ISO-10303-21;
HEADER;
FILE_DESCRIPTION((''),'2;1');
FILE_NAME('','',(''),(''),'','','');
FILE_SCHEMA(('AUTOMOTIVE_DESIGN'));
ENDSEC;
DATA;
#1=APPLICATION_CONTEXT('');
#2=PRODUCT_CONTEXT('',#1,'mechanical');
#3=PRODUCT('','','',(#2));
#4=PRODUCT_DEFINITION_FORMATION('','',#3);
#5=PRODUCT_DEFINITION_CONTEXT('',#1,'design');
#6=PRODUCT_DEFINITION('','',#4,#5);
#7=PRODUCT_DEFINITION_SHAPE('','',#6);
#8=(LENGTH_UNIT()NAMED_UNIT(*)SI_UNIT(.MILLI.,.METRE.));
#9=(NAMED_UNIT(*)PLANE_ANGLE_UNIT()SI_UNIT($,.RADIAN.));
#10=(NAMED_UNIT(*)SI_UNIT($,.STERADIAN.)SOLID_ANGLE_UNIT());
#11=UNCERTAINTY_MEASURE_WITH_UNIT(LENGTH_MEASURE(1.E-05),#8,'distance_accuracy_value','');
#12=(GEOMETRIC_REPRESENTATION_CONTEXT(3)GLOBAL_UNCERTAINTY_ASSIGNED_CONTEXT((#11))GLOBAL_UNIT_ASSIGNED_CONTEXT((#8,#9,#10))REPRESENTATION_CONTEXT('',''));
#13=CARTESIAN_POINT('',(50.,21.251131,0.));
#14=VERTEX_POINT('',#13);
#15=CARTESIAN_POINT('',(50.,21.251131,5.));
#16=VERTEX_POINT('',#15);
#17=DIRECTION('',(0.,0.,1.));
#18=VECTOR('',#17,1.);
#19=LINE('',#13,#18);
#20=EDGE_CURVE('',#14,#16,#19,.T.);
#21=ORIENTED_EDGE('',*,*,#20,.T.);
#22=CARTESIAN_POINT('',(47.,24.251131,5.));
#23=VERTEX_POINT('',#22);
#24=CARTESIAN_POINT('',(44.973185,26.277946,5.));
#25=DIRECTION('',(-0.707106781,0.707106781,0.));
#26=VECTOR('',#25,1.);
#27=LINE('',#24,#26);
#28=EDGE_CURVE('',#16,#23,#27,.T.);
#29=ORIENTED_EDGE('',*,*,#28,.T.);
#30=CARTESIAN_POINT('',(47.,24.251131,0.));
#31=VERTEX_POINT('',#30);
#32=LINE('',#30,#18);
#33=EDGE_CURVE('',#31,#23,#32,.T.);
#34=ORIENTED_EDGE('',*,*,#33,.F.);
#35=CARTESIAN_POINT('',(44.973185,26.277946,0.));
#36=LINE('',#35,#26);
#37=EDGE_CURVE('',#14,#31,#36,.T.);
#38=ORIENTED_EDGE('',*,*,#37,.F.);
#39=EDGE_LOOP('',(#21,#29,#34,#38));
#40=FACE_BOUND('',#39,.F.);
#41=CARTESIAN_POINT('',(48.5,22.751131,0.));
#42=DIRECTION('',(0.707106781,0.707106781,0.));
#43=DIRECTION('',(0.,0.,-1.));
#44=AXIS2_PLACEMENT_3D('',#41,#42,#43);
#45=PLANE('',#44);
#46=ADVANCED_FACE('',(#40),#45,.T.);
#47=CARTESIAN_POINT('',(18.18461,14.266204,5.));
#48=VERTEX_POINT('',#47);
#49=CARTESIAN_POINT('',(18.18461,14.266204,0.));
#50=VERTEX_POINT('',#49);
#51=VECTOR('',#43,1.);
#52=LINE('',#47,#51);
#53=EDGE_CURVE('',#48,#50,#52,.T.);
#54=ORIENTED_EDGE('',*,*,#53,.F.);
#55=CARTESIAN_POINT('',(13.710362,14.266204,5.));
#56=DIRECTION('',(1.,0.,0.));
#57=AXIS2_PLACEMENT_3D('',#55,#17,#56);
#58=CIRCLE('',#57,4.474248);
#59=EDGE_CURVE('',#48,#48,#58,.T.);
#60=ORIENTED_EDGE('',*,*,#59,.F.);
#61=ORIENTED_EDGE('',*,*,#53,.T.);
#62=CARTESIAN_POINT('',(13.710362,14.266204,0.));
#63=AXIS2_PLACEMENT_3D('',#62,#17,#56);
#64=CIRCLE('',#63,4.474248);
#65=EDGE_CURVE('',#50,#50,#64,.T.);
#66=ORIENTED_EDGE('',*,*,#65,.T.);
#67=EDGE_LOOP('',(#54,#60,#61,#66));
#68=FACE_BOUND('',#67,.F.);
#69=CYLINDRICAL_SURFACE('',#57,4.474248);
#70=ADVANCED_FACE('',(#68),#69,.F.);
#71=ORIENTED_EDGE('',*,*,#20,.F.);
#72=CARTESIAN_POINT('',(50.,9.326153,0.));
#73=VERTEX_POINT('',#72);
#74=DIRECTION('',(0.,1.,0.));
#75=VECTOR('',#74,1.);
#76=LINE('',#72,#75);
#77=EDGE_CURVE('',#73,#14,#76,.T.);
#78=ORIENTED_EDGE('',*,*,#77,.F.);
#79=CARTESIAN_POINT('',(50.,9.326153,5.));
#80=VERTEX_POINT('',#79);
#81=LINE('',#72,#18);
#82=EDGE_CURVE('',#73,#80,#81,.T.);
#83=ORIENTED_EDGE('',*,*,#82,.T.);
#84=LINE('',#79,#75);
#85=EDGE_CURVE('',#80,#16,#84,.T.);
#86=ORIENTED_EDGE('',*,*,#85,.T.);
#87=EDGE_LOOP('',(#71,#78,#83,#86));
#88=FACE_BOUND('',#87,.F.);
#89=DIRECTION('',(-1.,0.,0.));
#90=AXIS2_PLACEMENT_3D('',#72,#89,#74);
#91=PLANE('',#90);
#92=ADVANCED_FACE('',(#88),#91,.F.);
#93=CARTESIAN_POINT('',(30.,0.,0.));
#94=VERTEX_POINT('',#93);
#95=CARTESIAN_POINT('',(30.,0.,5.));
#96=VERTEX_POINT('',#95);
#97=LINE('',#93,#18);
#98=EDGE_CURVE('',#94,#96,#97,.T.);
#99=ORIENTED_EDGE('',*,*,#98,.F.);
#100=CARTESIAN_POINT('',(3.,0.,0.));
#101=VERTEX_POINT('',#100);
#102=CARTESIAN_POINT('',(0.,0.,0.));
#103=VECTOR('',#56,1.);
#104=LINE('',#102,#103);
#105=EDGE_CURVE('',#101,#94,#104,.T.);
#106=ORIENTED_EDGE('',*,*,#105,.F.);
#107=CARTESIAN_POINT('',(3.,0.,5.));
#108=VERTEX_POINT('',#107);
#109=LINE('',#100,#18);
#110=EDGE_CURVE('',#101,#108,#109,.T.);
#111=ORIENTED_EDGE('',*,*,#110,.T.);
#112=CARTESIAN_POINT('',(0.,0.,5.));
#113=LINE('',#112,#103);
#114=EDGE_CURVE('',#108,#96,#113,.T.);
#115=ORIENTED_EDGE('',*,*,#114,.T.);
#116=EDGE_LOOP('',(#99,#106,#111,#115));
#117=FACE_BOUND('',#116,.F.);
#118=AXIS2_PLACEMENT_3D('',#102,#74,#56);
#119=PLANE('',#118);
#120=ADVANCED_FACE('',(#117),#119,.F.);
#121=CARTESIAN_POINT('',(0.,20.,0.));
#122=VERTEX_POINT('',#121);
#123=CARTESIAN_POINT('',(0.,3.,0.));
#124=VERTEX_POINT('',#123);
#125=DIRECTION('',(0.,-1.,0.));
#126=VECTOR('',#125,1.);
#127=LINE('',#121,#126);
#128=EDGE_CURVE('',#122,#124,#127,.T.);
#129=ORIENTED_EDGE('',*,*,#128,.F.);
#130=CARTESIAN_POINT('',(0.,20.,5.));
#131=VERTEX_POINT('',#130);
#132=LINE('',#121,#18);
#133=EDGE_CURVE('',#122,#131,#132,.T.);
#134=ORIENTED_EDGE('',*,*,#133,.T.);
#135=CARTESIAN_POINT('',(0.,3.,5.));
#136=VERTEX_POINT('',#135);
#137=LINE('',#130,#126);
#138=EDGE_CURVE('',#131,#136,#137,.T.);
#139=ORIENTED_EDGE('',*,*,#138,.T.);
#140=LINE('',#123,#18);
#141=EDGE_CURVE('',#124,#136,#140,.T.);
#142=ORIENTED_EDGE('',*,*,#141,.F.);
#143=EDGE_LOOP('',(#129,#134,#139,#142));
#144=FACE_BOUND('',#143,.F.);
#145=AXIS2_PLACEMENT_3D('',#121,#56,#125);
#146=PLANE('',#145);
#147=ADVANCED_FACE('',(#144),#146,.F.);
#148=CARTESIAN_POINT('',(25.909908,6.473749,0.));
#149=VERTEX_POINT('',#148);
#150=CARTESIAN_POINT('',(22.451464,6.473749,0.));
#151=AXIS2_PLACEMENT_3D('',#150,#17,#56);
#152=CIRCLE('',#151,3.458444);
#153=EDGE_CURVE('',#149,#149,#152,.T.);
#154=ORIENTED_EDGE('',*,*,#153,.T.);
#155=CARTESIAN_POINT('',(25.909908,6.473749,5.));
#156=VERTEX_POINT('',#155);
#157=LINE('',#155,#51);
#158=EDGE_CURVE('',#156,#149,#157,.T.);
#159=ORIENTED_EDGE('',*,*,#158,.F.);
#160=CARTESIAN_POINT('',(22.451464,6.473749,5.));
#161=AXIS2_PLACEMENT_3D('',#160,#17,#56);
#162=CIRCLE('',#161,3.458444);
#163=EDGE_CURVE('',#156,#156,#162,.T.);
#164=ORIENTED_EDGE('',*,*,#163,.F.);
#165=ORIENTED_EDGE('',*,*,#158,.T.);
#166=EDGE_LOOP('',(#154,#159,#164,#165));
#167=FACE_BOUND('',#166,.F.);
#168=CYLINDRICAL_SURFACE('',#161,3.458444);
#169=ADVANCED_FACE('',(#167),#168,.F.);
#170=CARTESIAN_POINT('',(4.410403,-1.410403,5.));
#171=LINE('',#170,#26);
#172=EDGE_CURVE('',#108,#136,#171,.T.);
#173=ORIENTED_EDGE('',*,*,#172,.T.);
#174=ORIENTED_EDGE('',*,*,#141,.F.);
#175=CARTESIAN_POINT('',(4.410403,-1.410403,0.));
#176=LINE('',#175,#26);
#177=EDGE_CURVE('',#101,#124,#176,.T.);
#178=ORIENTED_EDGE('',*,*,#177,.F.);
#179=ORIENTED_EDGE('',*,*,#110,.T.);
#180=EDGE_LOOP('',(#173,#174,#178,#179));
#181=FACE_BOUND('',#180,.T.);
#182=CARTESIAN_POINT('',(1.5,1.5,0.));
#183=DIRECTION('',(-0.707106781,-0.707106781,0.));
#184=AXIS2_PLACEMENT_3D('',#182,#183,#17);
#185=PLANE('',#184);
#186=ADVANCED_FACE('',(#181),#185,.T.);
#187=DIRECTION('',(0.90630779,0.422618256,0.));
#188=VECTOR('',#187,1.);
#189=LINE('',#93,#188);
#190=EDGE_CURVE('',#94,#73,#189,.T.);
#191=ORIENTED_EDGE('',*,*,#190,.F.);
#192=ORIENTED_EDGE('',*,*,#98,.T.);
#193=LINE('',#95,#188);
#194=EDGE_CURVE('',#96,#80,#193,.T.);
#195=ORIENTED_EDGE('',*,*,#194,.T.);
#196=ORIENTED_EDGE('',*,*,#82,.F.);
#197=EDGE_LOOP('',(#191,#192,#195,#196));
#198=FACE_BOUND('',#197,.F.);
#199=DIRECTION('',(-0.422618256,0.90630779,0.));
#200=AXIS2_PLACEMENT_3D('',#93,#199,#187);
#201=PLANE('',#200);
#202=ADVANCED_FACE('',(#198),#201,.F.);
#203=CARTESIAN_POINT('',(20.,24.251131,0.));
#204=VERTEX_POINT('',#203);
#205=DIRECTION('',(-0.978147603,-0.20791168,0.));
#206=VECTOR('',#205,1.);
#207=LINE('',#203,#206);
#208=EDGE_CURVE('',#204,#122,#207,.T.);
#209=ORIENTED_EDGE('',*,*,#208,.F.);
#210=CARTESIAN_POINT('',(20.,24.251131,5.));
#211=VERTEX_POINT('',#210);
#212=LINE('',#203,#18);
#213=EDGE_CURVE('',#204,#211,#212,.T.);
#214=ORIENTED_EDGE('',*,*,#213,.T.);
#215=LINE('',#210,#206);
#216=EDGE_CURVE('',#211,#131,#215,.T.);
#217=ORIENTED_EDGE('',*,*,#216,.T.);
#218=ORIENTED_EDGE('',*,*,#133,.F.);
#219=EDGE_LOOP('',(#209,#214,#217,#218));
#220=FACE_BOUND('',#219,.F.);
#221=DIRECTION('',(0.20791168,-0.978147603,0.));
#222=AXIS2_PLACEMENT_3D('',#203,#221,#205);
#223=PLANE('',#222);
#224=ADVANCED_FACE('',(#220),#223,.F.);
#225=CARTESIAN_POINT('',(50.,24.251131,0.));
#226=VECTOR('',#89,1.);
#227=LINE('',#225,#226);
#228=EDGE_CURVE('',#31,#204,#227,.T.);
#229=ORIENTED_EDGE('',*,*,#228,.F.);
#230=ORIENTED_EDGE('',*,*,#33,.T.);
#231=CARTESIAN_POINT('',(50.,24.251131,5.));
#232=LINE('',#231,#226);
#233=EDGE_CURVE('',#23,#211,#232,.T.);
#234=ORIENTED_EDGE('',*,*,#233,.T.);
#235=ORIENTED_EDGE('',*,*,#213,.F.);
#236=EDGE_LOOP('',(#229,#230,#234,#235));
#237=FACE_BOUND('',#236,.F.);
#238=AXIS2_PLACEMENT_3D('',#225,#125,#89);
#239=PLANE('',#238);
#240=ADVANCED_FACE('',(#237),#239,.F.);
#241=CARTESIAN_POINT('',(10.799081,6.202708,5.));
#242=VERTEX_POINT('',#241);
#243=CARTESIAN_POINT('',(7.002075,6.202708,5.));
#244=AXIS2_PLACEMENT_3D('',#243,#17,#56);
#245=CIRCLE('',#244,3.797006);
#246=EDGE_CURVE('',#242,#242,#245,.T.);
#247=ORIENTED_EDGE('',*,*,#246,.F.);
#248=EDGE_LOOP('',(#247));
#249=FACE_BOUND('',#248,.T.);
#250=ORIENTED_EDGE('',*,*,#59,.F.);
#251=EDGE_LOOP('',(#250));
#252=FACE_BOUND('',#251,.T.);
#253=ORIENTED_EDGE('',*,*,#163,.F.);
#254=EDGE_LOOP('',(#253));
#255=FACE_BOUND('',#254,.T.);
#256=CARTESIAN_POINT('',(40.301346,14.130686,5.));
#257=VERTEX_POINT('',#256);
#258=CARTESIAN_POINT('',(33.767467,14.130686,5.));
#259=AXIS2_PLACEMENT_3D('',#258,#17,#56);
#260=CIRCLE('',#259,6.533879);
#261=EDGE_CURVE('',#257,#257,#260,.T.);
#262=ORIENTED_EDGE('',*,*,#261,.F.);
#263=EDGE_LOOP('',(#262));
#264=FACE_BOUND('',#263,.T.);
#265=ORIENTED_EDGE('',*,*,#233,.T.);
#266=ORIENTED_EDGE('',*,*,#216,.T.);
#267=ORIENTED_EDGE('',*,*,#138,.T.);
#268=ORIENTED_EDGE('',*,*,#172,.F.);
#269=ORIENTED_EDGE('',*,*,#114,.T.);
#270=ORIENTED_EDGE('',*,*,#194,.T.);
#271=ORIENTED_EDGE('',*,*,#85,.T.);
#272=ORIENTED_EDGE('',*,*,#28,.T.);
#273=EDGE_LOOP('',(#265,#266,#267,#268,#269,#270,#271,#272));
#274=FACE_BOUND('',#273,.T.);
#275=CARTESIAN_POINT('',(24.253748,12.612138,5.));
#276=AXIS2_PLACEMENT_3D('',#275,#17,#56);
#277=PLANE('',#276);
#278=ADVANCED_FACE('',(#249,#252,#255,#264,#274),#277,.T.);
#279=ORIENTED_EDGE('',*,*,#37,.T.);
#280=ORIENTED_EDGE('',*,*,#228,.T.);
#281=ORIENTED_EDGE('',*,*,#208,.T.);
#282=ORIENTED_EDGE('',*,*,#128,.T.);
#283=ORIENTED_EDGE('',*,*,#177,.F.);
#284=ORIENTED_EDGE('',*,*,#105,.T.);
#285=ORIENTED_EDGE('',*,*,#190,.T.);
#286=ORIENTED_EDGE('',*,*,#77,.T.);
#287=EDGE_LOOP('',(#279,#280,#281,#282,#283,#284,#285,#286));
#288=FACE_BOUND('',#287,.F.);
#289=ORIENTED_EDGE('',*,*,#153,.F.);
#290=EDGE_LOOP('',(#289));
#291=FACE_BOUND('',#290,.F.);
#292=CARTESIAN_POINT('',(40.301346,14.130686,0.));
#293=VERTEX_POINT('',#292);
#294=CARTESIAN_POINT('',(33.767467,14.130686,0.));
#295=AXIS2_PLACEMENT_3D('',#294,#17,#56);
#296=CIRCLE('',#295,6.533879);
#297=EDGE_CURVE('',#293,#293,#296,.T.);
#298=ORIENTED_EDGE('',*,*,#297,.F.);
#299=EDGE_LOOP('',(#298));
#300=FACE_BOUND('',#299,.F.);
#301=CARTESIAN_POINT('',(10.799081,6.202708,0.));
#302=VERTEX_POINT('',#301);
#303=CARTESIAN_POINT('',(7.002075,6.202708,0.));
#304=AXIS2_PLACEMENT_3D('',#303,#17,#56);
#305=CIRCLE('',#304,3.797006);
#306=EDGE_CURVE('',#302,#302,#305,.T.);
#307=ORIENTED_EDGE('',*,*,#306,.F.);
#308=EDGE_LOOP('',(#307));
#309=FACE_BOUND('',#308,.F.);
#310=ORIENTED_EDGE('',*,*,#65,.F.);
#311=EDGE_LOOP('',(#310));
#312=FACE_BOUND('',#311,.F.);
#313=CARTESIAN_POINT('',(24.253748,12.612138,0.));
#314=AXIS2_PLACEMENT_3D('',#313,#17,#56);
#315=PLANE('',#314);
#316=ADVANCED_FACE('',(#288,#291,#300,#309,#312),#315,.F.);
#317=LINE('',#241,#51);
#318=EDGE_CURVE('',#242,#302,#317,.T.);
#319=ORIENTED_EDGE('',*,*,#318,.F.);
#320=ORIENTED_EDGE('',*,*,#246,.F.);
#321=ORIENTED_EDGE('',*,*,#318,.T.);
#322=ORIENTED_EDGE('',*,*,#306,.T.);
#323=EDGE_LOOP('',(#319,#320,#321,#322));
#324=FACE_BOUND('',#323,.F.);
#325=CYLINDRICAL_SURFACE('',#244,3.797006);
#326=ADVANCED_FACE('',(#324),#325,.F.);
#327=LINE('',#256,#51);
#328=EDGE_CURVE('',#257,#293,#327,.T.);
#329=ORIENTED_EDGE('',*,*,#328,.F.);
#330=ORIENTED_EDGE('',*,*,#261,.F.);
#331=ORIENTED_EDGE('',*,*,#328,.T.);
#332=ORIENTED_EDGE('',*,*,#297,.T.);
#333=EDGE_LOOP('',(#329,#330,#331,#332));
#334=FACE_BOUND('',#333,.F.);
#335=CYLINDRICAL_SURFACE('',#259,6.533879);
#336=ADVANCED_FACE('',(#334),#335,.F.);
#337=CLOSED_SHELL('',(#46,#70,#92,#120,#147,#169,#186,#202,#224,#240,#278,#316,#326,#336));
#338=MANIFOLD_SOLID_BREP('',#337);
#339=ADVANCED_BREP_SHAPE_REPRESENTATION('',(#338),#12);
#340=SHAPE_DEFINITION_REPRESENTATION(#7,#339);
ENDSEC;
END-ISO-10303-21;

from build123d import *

# Parameters (mm, degrees)
PAD_DEPTH       = 5
CHAMFER_SIZE    = 3
CHAMFER001_SIZE = 3
SKETCH001_R     = 4.474248
SKETCH001_R_2   = 6.533879
SKETCH001_R_3   = 3.458444
SKETCH001_R_4   = 3.797006
POCKET_DEPTH    = 5.001


with BuildPart() as part:
    # Sketch → Pad (new body)
    with BuildSketch(Plane.XY):
        Polygon((0, 0), (30, 0), (50, 9.326153), (50, 24.251131), (20, 24.251131), (0, 20), align=None)
    extrude(amount=PAD_DEPTH)

    # Chamfer
    chamfer_edges = [part.edges().sort_by_distance(p)[0] for p in [
        (0, 0, 2.5),
    ]]
    chamfer(chamfer_edges, length=CHAMFER_SIZE)

    # Chamfer001
    chamfer001_edges = [part.edges().sort_by_distance(p)[0] for p in [
        (50, 24.251131, 2.5),
    ]]
    chamfer(chamfer001_edges, length=CHAMFER001_SIZE)

    # Sketch001 (on Face10 of Chamfer001) → Pocket (cut, through all)
    with BuildSketch(Plane.XY.offset(5)):
        with Locations((13.710362, 14.266204)):
            Circle(SKETCH001_R)
        with Locations((33.767467, 14.130686)):
            Circle(SKETCH001_R_2)
        with Locations((22.451464, 6.473749)):
            Circle(SKETCH001_R_3)
        with Locations((7.002075, 6.202708)):
            Circle(SKETCH001_R_4)
    extrude(amount=-POCKET_DEPTH, mode=Mode.SUBTRACT)


solid = part.part
